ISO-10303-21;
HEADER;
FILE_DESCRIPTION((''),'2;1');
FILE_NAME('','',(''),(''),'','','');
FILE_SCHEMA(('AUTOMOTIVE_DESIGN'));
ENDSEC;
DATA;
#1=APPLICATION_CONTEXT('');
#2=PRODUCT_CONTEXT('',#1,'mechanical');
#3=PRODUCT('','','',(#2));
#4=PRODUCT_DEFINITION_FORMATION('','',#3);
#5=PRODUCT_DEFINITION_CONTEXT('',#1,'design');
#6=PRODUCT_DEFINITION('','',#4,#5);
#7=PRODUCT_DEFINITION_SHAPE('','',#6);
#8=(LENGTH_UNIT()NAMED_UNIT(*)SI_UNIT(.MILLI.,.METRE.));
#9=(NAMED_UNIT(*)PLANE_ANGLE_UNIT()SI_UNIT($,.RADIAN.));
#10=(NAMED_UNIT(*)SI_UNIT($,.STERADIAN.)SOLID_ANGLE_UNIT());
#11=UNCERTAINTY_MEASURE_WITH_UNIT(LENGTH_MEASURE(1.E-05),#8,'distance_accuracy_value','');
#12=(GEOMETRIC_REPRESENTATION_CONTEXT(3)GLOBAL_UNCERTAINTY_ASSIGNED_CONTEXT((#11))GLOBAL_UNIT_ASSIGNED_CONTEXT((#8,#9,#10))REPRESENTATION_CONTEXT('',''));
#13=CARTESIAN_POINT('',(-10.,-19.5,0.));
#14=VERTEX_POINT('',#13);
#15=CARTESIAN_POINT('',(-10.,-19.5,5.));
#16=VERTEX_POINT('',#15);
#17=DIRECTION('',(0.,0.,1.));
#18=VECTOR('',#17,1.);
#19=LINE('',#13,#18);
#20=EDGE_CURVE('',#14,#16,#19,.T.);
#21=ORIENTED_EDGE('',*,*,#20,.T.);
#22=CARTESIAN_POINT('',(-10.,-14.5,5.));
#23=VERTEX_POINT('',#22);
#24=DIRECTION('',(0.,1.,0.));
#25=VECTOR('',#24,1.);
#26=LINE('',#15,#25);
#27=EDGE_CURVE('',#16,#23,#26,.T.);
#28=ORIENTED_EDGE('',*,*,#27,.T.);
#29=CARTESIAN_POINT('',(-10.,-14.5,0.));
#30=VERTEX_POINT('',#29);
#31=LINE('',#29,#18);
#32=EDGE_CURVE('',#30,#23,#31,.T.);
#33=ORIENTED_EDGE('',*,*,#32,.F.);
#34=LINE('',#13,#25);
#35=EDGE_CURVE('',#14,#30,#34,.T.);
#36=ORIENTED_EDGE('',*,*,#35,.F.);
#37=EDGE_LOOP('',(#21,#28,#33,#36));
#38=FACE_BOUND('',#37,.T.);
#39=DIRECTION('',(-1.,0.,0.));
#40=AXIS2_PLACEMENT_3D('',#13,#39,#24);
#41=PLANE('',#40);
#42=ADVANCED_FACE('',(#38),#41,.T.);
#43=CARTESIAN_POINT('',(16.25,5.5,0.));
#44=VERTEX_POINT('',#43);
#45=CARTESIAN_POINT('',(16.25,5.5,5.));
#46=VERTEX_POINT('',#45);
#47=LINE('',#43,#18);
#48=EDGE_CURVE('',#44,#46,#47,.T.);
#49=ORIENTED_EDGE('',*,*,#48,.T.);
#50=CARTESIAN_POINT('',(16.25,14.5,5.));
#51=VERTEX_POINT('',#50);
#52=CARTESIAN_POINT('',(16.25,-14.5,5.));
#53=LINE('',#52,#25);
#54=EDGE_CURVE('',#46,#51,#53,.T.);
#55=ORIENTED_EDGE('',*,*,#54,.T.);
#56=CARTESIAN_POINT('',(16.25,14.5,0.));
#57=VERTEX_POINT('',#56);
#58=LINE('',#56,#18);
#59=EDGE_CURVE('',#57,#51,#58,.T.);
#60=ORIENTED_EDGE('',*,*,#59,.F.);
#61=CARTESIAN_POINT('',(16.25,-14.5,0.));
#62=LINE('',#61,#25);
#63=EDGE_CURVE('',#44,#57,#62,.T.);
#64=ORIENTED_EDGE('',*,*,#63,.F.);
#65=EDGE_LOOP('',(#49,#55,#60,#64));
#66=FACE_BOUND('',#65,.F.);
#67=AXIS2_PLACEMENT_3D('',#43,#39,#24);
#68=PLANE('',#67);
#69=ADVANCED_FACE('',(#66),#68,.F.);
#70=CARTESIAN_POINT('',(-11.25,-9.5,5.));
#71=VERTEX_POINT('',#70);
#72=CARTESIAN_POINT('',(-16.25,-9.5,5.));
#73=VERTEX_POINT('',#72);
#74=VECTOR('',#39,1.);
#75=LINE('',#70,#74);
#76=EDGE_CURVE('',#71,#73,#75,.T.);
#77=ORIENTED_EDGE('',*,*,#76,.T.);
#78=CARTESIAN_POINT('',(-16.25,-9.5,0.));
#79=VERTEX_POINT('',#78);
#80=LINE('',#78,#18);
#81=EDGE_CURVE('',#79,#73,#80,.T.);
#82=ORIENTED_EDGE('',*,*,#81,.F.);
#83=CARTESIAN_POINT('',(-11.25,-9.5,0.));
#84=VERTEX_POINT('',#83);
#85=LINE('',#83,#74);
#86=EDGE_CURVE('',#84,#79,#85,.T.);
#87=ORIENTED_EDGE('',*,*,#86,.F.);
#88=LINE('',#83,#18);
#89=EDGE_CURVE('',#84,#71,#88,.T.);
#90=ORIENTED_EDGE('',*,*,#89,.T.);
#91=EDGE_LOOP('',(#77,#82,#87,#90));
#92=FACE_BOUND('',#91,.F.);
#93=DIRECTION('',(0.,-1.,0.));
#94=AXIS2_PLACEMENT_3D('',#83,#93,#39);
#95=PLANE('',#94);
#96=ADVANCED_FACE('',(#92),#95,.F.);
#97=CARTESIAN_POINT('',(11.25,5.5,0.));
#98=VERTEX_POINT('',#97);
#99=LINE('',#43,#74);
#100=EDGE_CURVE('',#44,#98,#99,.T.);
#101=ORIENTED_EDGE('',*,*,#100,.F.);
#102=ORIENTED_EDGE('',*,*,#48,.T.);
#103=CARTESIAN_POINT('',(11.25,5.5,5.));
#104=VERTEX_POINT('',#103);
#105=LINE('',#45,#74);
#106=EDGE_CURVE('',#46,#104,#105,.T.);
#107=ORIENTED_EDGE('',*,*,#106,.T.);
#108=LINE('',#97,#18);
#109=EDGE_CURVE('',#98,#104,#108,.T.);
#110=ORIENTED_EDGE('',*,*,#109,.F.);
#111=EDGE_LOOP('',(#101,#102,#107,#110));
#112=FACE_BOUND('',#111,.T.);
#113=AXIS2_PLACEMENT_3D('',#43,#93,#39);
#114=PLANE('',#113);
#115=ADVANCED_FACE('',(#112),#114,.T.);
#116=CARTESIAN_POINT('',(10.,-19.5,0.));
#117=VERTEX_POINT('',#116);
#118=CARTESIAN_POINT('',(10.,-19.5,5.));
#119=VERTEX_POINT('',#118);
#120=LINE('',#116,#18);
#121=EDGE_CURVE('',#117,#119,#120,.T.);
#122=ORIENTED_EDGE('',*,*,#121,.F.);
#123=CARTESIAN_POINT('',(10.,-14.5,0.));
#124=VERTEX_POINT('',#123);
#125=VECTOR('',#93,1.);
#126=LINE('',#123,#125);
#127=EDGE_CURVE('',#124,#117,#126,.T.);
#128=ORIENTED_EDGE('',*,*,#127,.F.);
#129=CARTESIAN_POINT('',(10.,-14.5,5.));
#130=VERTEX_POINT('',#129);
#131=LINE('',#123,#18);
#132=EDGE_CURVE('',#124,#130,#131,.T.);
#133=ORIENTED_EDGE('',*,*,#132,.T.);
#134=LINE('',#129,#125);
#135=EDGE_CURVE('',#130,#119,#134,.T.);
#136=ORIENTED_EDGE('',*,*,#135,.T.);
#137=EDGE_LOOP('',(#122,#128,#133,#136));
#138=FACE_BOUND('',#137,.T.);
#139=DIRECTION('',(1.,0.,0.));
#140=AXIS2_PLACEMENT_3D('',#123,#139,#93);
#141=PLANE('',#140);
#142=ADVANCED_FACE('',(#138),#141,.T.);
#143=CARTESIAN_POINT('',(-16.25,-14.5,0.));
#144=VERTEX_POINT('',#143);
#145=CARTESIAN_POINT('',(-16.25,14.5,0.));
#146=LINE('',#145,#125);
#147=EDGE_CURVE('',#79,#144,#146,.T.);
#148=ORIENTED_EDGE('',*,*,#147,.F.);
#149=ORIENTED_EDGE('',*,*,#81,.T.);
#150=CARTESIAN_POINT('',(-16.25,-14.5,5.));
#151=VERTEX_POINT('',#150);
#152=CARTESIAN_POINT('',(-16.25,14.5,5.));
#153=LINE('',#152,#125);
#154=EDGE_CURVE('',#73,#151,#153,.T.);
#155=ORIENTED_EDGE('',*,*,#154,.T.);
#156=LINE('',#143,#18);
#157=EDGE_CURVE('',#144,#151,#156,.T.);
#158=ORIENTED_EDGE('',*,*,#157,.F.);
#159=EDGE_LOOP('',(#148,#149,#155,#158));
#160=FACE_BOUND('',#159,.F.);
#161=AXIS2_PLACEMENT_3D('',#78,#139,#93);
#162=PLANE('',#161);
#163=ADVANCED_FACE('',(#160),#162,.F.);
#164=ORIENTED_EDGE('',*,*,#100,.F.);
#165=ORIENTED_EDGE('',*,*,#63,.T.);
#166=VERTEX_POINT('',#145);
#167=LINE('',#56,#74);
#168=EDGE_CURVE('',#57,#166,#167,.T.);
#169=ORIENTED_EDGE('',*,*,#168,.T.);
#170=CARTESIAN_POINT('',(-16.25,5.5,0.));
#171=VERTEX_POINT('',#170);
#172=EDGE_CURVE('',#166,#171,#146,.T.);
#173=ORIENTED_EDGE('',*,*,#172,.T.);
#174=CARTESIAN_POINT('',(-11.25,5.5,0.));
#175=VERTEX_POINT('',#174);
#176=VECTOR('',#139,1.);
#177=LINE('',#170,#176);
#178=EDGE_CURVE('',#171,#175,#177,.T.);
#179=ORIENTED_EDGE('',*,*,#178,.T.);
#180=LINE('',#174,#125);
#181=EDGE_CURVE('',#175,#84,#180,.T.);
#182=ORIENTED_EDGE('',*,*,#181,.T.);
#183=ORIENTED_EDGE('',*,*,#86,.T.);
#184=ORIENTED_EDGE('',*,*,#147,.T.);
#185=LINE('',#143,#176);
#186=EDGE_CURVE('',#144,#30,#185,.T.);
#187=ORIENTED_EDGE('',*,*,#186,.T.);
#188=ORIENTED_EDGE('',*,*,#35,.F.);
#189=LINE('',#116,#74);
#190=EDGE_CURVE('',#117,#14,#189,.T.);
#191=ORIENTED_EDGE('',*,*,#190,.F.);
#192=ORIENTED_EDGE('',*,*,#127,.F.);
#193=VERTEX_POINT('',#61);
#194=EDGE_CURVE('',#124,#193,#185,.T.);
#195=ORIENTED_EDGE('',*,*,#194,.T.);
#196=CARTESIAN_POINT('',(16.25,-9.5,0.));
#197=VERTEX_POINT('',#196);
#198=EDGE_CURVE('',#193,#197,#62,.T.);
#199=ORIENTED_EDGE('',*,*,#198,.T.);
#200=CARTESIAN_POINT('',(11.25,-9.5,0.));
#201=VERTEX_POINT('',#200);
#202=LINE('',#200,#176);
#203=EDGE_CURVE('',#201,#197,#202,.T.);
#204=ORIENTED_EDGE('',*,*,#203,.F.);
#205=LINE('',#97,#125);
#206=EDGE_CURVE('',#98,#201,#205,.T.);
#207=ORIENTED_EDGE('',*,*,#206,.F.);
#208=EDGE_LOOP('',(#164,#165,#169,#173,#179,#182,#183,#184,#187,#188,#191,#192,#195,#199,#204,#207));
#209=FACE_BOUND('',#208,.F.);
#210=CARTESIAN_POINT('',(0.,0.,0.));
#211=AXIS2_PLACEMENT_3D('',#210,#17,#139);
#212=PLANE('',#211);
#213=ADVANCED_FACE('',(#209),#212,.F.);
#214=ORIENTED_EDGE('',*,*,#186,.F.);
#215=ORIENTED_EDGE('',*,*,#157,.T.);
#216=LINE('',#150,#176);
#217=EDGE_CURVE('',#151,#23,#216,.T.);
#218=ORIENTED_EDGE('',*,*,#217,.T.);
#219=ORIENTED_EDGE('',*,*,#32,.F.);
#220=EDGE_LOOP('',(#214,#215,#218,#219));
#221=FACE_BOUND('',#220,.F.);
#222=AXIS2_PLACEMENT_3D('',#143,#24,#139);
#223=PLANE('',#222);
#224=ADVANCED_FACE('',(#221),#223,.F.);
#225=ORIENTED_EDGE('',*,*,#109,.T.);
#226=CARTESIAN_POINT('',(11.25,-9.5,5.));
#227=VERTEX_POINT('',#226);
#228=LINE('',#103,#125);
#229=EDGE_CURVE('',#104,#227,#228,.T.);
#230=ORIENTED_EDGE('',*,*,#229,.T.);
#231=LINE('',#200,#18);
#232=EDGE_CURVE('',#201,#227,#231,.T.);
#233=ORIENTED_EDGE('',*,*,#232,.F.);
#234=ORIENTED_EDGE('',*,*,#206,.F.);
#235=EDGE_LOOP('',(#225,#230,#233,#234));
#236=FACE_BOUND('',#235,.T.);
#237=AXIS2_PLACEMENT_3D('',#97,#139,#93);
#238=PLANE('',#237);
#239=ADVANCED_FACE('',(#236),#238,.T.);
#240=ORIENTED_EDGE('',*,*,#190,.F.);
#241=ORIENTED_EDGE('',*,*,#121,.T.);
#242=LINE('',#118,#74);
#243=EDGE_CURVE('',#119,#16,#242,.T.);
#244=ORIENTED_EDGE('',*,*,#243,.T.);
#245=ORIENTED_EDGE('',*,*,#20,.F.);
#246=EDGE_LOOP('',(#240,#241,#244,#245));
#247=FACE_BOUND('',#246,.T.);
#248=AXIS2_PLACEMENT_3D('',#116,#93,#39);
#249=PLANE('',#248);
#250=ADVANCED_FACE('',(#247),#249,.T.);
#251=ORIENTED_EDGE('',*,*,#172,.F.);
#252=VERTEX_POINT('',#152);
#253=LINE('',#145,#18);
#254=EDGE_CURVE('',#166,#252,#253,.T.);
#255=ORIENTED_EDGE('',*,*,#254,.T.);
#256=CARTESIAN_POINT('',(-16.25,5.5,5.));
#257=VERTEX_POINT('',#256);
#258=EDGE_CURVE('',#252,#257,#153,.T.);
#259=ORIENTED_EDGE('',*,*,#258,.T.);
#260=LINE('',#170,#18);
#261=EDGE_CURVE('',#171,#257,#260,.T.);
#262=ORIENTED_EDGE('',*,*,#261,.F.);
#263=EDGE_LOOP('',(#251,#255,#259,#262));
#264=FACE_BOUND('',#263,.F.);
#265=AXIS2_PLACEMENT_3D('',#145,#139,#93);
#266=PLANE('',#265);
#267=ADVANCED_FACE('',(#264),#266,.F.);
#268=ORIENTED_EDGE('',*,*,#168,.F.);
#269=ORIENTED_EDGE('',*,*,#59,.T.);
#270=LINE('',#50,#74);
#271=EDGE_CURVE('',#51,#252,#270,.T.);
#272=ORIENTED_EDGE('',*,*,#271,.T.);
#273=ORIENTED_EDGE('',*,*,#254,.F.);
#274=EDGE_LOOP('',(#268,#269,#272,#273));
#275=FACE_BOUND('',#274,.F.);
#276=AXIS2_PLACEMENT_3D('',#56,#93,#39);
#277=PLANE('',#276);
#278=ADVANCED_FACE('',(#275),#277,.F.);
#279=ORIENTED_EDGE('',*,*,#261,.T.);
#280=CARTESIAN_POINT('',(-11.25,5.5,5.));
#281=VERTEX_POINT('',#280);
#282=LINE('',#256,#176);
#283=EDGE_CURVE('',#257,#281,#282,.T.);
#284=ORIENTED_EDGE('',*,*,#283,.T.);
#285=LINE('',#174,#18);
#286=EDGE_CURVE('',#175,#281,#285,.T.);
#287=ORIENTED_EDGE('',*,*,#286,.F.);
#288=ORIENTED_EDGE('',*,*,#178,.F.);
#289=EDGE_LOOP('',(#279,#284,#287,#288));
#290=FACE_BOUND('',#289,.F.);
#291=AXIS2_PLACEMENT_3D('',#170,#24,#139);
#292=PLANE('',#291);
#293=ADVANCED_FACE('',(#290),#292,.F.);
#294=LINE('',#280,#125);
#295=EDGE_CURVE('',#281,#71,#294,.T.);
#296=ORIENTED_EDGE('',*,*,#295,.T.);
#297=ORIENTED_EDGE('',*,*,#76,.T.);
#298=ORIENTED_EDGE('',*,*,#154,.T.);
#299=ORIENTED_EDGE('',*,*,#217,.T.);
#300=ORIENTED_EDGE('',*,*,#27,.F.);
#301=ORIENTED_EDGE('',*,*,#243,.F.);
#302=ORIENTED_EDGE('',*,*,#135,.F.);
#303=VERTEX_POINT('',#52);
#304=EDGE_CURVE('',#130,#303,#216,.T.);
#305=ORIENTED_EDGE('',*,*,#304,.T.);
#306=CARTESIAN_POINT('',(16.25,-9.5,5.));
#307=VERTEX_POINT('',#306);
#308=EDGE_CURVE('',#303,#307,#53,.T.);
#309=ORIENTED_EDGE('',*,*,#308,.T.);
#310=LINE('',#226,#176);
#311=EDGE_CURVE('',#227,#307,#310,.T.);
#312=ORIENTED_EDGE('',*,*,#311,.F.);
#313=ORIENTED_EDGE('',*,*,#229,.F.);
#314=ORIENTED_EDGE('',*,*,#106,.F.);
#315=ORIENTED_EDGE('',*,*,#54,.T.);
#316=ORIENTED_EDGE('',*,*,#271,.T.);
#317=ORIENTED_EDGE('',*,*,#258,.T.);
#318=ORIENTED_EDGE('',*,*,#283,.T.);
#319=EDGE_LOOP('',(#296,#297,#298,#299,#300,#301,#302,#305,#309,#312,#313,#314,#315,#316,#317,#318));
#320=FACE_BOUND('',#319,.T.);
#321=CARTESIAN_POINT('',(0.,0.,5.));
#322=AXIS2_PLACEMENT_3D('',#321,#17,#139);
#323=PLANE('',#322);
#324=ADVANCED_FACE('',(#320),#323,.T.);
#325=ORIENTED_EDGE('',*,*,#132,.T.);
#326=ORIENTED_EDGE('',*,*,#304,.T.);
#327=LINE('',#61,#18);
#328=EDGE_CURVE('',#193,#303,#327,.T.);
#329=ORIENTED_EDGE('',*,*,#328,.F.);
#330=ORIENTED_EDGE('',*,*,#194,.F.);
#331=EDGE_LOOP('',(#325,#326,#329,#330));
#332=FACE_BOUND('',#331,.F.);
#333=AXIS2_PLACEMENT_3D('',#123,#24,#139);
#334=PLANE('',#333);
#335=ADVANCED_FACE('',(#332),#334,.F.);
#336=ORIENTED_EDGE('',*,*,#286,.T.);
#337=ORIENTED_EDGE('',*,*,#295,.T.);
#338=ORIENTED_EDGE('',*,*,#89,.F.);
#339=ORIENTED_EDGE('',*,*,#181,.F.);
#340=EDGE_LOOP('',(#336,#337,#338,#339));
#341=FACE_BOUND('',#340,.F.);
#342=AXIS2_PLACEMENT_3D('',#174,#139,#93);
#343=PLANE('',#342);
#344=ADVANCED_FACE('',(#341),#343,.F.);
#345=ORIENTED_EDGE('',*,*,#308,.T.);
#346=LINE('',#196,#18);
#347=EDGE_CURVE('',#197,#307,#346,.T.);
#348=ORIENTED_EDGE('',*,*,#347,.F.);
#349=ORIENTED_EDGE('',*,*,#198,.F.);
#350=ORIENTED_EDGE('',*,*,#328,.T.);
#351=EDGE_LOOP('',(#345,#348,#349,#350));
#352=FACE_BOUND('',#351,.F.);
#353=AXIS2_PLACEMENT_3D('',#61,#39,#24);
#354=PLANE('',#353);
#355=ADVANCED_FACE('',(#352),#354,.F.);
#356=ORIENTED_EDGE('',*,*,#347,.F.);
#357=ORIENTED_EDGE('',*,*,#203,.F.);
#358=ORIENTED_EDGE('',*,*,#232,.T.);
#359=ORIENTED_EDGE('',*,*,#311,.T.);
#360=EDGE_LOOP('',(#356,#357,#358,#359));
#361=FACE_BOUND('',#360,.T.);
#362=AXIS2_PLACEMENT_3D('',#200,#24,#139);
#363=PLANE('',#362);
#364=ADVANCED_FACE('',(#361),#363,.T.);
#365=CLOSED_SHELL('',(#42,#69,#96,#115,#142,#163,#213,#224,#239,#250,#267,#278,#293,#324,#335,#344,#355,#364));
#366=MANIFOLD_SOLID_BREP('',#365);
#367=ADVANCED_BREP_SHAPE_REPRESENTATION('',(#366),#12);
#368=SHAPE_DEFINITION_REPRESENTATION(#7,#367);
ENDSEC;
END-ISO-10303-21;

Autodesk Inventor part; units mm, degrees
ref_plane "YZ Plane" through (0, 0, 0) normal (1, 0, 0) x (0, 1, 0)
ref_plane "XZ Plane" through (0, 0, 0) normal (0, 1, 0) x (-1, 0, 0)
ref_plane "XY Plane" through (0, 0, 0) normal (0, 0, 1) x (1, 0, 0)
sketch "Sketch1" plane through (0, 0, 0) normal (0, 0, 1) x (1, 0, 0)
  line L0 (-16.25, -14.5) -> (16.25, -14.5)
  line L1 (16.25, -14.5) -> (16.25, 14.5)
  line L2 (16.25, 14.5) -> (-16.25, 14.5)
  line L3 (-16.25, 14.5) -> (-16.25, -14.5)
  line L4 (-16.25, -14.5) -> (16.25, 14.5) construction
  line L5 (16.25, -14.5) -> (-16.25, 14.5) construction
  line L6 (-10, -14.5) -> (10, -14.5)
  line L7 (10, -14.5) -> (10, -19.5)
  line L8 (10, -19.5) -> (-10, -19.5)
  line L9 (-10, -19.5) -> (-10, -14.5)
  line L10 (16.25, 5.5) -> (11.25, 5.5)
  line L11 (11.25, 5.5) -> (11.25, -9.5)
  line L12 (11.25, -9.5) -> (16.25, -9.5)
  line L13 (16.25, -9.5) -> (16.25, 5.5)
  line L14 (-16.25, 5.5) -> (-11.25, 5.5)
  line L15 (-11.25, 5.5) -> (-11.25, -9.5)
  line L16 (-11.25, -9.5) -> (-16.25, -9.5)
  line L17 (-16.25, -9.5) -> (-16.25, 5.5)
  point P0 (0, 0)
  point P1 (0, -14.5)
  dimension "d0" = 29
  dimension "d1" = 32.5
  dimension "d2" = 5
  dimension "d3" = 20
  dimension "d4" = 10
  dimension "d5" = 5
  dimension "d6" = 5
  dimension "d7" = 15
  dimension "d8" = 15
  dimension "d9" = 9
extrude "Extrusion1" add sketch "Sketch1" along normal blind 5 contours L3 L16 L15 L14 L2 L1 L10 L11 L12 L0 | L0 L7 L8 L9
equation "\"BendRadius\" = Thickness"
equation "\"BendReliefWidth\" = Thickness"
equation "\"BendReliefDepth\" = 0.5 * Thickness"
equation "\"CornerReliefSize\" = 4 * Thickness"
equation "\"MinimumRemnant\" = 2 * Thickness"
equation "\"TransitionRadius\" = BendRadius"
equation "\"JacobiRadiusSize\" = BendRadius"
equation "\"GapSize\" = Thickness"
equation "\"Thickness\" = 3.048"
properties part number "Manija2"
